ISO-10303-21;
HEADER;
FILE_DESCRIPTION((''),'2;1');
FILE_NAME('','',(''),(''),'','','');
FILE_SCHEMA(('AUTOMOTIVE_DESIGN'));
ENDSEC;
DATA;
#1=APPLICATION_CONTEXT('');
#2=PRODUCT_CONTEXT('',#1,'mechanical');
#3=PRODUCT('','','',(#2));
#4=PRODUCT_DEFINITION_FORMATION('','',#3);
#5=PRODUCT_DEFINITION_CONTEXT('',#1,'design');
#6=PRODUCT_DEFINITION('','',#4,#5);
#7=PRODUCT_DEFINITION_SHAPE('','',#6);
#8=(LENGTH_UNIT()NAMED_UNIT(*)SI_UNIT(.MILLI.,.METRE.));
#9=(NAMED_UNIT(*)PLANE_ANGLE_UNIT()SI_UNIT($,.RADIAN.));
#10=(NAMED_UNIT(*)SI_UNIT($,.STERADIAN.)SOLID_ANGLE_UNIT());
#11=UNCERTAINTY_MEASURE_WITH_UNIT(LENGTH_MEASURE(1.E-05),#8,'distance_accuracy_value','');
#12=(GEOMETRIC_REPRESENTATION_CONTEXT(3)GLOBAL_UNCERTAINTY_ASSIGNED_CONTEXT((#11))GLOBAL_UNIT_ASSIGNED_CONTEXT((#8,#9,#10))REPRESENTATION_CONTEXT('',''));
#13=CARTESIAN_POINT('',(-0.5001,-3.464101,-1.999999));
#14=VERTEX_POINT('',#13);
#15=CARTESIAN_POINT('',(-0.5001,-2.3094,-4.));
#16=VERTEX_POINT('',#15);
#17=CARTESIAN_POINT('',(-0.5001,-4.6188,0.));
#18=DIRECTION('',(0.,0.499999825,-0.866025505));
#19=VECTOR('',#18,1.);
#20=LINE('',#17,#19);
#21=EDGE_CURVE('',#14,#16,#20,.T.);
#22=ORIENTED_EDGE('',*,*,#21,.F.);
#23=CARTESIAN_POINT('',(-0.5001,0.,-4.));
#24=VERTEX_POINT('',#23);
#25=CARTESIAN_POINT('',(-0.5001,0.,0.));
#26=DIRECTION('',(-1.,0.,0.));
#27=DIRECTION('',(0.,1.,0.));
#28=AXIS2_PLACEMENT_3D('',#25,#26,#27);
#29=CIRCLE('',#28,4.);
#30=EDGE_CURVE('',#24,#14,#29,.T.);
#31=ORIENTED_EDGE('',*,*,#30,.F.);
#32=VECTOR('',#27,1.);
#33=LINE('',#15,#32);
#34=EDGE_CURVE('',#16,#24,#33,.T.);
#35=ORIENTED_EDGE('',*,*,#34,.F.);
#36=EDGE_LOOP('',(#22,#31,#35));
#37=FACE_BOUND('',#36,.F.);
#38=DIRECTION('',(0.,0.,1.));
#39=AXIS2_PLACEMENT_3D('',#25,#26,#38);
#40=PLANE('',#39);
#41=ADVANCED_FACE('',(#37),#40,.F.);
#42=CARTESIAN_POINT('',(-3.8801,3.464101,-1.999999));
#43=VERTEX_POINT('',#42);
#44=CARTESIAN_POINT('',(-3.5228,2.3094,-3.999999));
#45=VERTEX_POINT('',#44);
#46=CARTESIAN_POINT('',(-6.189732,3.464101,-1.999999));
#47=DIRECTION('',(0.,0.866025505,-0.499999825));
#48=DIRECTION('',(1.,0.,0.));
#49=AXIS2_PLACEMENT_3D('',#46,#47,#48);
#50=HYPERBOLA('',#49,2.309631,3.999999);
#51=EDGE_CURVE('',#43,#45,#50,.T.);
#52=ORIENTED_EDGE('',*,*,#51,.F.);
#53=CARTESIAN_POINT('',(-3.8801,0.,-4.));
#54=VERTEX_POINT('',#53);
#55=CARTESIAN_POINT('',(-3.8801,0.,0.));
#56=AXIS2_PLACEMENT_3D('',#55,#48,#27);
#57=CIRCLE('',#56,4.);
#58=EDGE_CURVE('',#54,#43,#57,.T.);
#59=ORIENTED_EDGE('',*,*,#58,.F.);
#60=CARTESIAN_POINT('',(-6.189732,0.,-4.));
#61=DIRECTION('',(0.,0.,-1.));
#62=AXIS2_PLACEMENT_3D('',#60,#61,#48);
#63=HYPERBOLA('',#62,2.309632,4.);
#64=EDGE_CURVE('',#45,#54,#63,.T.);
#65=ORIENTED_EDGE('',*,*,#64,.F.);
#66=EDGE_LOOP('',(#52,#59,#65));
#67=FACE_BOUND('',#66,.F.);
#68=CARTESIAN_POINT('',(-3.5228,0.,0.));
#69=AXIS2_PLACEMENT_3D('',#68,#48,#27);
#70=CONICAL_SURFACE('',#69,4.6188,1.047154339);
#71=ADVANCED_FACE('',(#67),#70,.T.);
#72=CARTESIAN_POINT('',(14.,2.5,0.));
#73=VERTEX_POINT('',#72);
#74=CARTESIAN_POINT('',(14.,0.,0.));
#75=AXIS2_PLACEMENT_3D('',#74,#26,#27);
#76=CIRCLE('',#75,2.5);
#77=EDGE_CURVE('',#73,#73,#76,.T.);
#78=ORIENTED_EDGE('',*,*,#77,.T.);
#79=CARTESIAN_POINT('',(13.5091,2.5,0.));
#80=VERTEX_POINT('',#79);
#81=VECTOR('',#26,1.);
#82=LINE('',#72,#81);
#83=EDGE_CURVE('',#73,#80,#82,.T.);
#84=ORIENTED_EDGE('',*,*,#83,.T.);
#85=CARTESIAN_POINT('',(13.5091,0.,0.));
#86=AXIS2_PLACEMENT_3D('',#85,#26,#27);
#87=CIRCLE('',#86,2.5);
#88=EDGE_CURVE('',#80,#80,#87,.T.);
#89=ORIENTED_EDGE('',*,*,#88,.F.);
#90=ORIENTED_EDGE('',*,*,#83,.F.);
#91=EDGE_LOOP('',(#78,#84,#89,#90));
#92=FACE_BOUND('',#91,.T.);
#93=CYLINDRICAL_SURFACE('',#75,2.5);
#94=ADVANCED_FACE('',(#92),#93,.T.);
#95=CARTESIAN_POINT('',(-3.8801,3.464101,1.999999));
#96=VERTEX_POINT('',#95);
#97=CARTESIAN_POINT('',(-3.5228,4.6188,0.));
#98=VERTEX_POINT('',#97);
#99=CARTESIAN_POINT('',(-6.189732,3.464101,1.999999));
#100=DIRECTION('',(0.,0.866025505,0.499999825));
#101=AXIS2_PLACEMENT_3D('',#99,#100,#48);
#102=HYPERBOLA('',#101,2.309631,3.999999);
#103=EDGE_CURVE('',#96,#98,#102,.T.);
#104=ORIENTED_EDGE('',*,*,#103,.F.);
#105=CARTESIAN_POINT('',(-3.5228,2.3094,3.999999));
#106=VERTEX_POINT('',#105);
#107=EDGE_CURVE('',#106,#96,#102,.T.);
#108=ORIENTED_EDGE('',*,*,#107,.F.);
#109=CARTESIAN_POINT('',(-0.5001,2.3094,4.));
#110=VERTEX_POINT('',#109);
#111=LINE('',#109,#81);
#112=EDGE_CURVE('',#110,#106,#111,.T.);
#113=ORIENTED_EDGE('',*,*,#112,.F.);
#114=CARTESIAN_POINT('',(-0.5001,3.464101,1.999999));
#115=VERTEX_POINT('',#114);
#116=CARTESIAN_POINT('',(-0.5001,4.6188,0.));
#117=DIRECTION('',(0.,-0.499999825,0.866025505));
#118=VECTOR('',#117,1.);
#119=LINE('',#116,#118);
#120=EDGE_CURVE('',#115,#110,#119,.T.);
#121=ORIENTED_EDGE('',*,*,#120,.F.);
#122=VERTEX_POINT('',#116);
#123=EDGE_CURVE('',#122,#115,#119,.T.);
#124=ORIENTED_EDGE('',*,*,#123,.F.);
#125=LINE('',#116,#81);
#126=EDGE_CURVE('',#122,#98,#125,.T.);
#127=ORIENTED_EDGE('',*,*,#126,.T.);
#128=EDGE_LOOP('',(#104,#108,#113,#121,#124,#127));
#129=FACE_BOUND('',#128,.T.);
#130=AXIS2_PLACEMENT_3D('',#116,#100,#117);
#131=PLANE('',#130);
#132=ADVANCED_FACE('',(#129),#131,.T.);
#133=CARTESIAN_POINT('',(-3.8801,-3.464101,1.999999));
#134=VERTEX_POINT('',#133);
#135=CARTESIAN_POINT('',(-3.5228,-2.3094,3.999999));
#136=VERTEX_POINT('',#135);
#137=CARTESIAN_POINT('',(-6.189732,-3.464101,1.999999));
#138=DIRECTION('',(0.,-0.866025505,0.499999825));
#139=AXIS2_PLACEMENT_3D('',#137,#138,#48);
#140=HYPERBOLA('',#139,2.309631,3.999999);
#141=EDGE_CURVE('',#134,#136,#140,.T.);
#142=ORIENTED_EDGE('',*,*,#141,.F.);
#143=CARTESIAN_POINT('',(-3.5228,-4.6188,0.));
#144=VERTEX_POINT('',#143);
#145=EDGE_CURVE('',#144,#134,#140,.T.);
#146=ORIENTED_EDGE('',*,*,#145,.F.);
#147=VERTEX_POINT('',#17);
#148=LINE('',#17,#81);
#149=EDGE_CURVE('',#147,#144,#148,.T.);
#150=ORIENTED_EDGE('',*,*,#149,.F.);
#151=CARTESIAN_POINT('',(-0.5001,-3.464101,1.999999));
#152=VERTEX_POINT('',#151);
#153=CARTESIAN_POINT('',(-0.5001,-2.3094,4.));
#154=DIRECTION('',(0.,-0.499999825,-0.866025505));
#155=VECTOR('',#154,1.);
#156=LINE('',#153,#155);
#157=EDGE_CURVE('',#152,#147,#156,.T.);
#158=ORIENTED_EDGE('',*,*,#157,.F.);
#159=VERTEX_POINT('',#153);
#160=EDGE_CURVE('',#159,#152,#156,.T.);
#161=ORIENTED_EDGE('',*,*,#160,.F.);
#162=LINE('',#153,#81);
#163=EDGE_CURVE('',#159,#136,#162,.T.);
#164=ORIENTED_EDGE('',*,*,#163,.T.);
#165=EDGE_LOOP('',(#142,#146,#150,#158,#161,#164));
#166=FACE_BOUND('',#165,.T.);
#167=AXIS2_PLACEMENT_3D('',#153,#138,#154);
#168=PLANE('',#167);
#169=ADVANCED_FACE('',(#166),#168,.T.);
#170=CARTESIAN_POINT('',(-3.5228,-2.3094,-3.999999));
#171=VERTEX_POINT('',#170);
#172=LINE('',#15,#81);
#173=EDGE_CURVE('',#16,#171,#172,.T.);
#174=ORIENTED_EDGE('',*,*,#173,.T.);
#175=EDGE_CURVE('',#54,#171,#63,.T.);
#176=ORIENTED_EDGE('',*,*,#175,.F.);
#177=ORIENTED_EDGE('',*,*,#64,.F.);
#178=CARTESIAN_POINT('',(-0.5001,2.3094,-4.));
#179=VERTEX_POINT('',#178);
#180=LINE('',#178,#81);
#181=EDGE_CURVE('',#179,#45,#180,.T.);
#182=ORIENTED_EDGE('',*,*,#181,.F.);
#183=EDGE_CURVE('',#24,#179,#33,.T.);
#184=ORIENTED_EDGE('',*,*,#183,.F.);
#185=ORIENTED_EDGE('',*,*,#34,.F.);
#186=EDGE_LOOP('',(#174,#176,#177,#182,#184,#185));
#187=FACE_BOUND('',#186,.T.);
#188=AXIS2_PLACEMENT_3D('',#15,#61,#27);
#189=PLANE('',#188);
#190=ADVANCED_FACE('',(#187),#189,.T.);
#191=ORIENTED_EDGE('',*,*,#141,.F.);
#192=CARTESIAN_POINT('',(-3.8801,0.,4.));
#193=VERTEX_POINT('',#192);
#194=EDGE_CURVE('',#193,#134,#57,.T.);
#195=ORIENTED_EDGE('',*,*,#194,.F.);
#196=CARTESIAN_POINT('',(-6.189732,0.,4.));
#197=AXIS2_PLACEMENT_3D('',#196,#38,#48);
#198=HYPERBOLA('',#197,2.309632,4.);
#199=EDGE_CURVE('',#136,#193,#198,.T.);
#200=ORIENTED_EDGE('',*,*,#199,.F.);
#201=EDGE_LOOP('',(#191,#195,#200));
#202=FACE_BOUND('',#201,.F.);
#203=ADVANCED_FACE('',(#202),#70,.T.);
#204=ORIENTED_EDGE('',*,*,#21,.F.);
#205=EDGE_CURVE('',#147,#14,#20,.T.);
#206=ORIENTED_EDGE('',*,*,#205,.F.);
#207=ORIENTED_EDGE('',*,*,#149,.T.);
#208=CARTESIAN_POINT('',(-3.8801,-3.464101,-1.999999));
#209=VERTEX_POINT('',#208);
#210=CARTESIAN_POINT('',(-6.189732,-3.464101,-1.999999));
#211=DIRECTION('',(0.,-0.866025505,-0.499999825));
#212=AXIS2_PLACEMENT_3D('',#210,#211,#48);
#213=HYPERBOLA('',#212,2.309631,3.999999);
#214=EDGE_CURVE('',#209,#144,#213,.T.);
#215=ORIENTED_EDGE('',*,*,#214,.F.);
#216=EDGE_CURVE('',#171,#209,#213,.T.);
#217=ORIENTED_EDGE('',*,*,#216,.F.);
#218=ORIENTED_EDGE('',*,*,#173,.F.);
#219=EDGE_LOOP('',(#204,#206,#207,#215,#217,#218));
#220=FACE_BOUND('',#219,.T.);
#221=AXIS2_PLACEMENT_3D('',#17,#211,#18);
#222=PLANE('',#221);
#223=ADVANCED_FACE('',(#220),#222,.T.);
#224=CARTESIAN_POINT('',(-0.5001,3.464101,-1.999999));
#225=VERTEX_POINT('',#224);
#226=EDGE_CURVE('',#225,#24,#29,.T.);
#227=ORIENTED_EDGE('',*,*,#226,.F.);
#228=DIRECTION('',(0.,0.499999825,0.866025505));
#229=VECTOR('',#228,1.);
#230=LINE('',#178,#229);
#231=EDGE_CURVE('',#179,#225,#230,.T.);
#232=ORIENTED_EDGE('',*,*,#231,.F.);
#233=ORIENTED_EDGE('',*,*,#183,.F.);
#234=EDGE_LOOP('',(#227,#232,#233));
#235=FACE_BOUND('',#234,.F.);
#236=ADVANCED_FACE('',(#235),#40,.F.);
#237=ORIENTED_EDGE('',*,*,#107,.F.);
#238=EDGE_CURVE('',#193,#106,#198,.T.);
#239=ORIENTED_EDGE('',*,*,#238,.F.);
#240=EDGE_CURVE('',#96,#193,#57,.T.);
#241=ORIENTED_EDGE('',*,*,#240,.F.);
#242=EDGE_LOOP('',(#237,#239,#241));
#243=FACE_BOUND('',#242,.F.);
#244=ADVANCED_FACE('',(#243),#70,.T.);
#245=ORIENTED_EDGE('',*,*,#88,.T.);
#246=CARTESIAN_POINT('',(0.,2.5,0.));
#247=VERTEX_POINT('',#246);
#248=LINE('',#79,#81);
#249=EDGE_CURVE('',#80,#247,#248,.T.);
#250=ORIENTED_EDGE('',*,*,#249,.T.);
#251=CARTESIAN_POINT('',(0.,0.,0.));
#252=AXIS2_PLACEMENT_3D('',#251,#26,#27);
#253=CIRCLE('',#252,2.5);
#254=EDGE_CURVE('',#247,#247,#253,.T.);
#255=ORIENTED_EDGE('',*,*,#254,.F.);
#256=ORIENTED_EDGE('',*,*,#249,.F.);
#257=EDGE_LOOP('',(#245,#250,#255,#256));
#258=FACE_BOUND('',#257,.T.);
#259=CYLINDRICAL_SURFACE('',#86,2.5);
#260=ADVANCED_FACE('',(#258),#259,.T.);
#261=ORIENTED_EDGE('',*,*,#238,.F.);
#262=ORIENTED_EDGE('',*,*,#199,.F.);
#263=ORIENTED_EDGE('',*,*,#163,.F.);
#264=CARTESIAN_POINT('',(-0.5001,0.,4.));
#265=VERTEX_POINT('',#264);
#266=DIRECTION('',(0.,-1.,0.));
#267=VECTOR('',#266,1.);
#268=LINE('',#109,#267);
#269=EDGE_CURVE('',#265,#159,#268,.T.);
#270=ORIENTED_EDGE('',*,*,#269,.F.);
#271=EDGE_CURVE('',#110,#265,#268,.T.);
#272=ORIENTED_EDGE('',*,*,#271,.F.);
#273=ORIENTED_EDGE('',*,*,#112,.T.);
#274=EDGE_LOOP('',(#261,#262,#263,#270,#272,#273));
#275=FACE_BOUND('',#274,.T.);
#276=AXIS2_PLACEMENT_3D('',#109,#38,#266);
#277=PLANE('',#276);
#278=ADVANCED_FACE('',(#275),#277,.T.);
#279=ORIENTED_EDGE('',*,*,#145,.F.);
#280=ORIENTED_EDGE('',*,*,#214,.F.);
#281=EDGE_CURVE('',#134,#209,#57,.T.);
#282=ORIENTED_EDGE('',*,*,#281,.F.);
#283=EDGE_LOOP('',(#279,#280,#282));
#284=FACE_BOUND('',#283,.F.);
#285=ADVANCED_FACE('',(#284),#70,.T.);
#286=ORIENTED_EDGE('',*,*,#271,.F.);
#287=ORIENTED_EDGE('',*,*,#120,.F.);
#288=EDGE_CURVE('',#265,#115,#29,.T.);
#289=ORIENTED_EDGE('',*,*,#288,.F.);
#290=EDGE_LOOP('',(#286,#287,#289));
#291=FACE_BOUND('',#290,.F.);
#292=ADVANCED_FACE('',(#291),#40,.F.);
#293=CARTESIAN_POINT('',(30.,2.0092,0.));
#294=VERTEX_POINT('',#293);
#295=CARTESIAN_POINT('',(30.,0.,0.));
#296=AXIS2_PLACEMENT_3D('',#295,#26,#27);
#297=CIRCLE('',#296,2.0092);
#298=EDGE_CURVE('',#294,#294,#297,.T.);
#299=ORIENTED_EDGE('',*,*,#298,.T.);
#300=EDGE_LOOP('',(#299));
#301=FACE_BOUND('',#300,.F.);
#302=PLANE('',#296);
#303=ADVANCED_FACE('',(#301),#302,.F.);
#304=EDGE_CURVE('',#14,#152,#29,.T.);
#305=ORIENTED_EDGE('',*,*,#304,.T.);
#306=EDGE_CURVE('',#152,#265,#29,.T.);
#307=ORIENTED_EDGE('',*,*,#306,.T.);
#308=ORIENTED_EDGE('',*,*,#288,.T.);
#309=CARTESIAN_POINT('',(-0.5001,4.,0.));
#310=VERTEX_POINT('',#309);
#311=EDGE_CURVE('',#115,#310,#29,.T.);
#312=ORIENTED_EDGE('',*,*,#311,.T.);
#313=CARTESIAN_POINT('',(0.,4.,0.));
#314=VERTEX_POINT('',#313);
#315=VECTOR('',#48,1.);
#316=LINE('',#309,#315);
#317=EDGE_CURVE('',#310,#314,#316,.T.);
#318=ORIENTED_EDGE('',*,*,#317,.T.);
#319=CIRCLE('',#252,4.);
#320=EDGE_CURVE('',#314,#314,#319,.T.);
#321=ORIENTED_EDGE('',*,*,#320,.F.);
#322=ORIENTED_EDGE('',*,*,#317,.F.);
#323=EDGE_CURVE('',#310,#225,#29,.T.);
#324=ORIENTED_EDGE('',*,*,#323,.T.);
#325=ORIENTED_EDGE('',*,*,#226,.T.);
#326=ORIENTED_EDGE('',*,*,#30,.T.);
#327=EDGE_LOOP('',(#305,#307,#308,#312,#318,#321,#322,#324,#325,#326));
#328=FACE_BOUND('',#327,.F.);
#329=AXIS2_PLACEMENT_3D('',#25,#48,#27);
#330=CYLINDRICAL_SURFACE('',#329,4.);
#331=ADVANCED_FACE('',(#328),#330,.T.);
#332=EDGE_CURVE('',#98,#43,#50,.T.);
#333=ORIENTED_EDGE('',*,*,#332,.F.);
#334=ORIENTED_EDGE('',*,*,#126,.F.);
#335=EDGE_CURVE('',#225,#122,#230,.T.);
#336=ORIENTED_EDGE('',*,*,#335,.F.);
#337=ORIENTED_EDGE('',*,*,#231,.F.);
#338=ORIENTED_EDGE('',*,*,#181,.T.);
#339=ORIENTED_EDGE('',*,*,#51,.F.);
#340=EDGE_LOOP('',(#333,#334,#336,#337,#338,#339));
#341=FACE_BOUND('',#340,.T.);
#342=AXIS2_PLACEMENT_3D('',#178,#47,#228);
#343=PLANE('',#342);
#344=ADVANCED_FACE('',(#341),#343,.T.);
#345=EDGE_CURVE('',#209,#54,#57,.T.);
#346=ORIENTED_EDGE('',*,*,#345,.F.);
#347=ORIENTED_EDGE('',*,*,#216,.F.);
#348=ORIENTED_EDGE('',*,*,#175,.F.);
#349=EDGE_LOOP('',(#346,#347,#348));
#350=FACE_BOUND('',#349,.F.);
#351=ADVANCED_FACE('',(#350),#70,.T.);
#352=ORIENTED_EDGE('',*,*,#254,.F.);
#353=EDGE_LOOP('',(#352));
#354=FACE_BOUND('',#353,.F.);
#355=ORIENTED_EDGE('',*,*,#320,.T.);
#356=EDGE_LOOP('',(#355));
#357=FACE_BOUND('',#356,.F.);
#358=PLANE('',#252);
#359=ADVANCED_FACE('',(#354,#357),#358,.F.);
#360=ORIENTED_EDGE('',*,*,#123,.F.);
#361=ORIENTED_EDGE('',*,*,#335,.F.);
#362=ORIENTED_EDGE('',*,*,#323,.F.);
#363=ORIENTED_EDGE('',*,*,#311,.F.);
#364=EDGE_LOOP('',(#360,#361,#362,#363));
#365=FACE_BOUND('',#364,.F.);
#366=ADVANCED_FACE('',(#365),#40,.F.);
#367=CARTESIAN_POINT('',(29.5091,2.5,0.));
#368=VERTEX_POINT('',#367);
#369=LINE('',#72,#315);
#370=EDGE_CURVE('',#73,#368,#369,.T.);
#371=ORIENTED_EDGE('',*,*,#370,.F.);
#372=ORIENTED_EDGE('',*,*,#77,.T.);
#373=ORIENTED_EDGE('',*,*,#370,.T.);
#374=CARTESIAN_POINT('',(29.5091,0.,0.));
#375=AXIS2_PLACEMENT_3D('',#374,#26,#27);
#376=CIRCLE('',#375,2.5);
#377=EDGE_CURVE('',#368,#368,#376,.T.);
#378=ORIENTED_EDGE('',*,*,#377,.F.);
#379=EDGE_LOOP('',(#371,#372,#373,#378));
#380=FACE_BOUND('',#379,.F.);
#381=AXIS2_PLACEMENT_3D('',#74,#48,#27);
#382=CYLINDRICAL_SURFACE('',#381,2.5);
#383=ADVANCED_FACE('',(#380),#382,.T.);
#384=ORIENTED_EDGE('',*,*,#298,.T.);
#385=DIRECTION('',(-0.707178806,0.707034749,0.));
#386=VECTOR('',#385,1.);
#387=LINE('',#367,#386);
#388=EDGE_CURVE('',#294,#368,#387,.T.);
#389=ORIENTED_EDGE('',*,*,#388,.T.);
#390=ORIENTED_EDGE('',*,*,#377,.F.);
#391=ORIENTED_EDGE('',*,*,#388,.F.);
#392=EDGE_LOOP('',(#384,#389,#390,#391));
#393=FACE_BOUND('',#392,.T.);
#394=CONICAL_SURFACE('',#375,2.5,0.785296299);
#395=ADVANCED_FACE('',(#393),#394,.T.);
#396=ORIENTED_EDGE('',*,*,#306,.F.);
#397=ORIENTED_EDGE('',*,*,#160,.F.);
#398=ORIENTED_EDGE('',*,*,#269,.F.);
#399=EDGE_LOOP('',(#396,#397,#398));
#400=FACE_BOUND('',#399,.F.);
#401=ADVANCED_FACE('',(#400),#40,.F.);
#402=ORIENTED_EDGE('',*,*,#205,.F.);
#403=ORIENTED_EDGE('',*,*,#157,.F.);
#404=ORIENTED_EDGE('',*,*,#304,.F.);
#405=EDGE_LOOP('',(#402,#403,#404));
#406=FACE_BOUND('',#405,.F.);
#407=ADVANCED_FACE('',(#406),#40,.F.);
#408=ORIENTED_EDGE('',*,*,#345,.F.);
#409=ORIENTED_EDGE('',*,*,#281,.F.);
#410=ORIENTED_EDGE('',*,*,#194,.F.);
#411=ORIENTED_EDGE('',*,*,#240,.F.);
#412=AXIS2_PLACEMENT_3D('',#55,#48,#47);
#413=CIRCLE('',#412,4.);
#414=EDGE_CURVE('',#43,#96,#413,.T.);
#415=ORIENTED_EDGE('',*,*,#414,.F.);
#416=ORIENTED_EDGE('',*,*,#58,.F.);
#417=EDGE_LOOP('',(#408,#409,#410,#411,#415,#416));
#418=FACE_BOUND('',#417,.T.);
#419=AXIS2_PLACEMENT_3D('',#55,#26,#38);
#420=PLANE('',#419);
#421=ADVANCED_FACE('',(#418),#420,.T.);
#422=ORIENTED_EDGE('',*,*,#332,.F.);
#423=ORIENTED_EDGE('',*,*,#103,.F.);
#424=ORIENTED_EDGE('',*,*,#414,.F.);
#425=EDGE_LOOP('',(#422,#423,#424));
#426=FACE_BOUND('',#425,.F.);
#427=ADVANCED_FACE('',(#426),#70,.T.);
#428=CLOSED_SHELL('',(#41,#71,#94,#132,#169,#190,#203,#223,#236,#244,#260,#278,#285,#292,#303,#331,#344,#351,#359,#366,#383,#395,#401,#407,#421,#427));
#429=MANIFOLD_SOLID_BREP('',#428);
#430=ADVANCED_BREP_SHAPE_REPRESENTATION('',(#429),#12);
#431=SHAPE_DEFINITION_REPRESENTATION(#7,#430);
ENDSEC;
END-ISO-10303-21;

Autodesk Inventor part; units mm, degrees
ref_plane "YZ Plane" through (0, 0, 0) normal (1, 0, 0) x (0, 1, 0)
ref_plane "XZ Plane" through (0, 0, 0) normal (0, 1, 0) x (-1, 0, 0)
sketch "Sketch1" plane through (0, 0, 0) normal (0, 0, 1) x (1, 0, 0)
  line L0 (0, 4) -> (0, 2.5)
  line L1 (14, 2.5) -> (30, 2.5)
  line L2 (30, 2.5) -> (30, 0)
  line L3 (30, 0) -> (-0.5001, 0)
  line L4 (-6.6001, 0) -> (36.1, 0) projected
  line L5 (-0.5001, 0) -> (-0.5001, 4)
  line L6 (-0.5001, 4) -> (0, 4)
  line L7 (14, 2.5) -> (13.5091, 2.5)
  line L8 (13.5091, 2.5) -> (0, 2.5)
  line L9 (0, -0.8) -> (0, 4.8) projected
  dimension "d0" = 30
  dimension "d1" = 16
  dimension "d2" = 5
  dimension "d9" = 0.5001
  dimension "d10" = 8
  dimension "d13" = 0.4909
  dimension "d14" = 5
revolve "Body" add sketch "Sketch1" angle 360 about axis through (30, 0, 0) along (-1, 0, 0)
sketch "Sketch2" plane through (-0.5001, 0, 0) normal (-1, 0, 0) x (0, 0, 1)
  line L0 (0, 4.6188) -> (4, 2.3094)
  line L1 (4, 2.3094) -> (4, -2.3094)
  line L2 (4, -2.3094) -> (0, -4.6188)
  line L3 (0, -4.6188) -> (-4, -2.3094)
  line L4 (-4, -2.3094) -> (-4, 2.3094)
  line L5 (-4, 2.3094) -> (0, 4.6188)
  point P0 (0, 0)
  point P1 (0, 0)
  dimension "d11" = 8
extrude "Head" add sketch "Sketch2" along normal blind 3.38
sketch "Sketch4" plane through (0, 0, 0) normal (0, 0, 1) x (1, 0, 0)
  line L0 (-3.8801, 4) -> (-3.8801, 4.6188)
  line L1 (-3.8801, 4.6188) -> (-3.5228, 4.6188)
  line L2 (-3.5228, 4.6188) -> (-3.8801, 4)
  line L3 (-4.5561, 0) -> (0.1759, 0) projected
  line L4 (-0.5001, 4.6188) -> (-3.8801, 4.6188) projected
  line L5 (-3.8801, 2.3094) -> (-3.8801, 4.6188) projected
  dimension "d5" = 30
  dimension "d19" = 8
revolve "Chamfer1" cut sketch "Sketch4" angle 360 about axis through (-10, 0, 0) along (1, 0, 0)
thread "Thread" size "M5x0.8" class "6g" standard "ISO Metric profile" length 16
chamfer "Chamfer2" distance 0.4908 distance2 0.4909 1 edges at (30, -2.5, 0) measured on face at (30, 0.4734, -0.6858)
ref_plane "Work Plane1" through (1.525, 0, 0) normal (0, 0, 1) x (1, 0, 0)
equation "\"d0\" = NLG"
equation "\"d1\" = GEL"
equation "\"d2\" = GD"
equation "\"d10\" = SD2"
equation "\"d14\" = BDM"
equation "\"d11\" = SW"
equation "\"d3\" = KOH - SD"
equation "\"d5\" = ANG1"
equation "\"d19\" = SW0"
equation "\"d15\" = GEL"
equation "\"d6\" = -0.5 * SPD + 0.5 * GD"
equation "\"NLG\" = 30"
equation "\"GD\" = NND"
equation "\"BDM\" = NND"
equation "\"KOH\" = 3.88"
equation "\"GEL\" = 16"
equation "\"SW\" = 8"
equation "\"SW0\" = SW"
equation "\"SPD\" = NND - 1.2269 * PTC"
equation "\"SD2\" = SW"
equation "\"SD\" = 0.5"
equation "\"ANG1\" = 30deg"
equation "\"GAL\" = 0.61345 * PTC"
equation "\"GUL\" = 0.61345 * PTC"
equation "\"RR\" = 0.2"
equation "\"WFT\" = SD"
equation "\"GD1\" = THREADDIA - 1.2269 * PTC"
equation "\"THREADDIA\" = 5"
equation "\"SDH\" = SW"
equation "\"TOA\" = 30deg"
equation "\"FAWI\" = 45deg"
equation "\"PTC\" = 0.8"
equation "\"NND\" = 5"
equation "\"E0\" = 1.155 * SW"
properties part number "AS 1111 - M5 x 30" material "Steel, Mild"
